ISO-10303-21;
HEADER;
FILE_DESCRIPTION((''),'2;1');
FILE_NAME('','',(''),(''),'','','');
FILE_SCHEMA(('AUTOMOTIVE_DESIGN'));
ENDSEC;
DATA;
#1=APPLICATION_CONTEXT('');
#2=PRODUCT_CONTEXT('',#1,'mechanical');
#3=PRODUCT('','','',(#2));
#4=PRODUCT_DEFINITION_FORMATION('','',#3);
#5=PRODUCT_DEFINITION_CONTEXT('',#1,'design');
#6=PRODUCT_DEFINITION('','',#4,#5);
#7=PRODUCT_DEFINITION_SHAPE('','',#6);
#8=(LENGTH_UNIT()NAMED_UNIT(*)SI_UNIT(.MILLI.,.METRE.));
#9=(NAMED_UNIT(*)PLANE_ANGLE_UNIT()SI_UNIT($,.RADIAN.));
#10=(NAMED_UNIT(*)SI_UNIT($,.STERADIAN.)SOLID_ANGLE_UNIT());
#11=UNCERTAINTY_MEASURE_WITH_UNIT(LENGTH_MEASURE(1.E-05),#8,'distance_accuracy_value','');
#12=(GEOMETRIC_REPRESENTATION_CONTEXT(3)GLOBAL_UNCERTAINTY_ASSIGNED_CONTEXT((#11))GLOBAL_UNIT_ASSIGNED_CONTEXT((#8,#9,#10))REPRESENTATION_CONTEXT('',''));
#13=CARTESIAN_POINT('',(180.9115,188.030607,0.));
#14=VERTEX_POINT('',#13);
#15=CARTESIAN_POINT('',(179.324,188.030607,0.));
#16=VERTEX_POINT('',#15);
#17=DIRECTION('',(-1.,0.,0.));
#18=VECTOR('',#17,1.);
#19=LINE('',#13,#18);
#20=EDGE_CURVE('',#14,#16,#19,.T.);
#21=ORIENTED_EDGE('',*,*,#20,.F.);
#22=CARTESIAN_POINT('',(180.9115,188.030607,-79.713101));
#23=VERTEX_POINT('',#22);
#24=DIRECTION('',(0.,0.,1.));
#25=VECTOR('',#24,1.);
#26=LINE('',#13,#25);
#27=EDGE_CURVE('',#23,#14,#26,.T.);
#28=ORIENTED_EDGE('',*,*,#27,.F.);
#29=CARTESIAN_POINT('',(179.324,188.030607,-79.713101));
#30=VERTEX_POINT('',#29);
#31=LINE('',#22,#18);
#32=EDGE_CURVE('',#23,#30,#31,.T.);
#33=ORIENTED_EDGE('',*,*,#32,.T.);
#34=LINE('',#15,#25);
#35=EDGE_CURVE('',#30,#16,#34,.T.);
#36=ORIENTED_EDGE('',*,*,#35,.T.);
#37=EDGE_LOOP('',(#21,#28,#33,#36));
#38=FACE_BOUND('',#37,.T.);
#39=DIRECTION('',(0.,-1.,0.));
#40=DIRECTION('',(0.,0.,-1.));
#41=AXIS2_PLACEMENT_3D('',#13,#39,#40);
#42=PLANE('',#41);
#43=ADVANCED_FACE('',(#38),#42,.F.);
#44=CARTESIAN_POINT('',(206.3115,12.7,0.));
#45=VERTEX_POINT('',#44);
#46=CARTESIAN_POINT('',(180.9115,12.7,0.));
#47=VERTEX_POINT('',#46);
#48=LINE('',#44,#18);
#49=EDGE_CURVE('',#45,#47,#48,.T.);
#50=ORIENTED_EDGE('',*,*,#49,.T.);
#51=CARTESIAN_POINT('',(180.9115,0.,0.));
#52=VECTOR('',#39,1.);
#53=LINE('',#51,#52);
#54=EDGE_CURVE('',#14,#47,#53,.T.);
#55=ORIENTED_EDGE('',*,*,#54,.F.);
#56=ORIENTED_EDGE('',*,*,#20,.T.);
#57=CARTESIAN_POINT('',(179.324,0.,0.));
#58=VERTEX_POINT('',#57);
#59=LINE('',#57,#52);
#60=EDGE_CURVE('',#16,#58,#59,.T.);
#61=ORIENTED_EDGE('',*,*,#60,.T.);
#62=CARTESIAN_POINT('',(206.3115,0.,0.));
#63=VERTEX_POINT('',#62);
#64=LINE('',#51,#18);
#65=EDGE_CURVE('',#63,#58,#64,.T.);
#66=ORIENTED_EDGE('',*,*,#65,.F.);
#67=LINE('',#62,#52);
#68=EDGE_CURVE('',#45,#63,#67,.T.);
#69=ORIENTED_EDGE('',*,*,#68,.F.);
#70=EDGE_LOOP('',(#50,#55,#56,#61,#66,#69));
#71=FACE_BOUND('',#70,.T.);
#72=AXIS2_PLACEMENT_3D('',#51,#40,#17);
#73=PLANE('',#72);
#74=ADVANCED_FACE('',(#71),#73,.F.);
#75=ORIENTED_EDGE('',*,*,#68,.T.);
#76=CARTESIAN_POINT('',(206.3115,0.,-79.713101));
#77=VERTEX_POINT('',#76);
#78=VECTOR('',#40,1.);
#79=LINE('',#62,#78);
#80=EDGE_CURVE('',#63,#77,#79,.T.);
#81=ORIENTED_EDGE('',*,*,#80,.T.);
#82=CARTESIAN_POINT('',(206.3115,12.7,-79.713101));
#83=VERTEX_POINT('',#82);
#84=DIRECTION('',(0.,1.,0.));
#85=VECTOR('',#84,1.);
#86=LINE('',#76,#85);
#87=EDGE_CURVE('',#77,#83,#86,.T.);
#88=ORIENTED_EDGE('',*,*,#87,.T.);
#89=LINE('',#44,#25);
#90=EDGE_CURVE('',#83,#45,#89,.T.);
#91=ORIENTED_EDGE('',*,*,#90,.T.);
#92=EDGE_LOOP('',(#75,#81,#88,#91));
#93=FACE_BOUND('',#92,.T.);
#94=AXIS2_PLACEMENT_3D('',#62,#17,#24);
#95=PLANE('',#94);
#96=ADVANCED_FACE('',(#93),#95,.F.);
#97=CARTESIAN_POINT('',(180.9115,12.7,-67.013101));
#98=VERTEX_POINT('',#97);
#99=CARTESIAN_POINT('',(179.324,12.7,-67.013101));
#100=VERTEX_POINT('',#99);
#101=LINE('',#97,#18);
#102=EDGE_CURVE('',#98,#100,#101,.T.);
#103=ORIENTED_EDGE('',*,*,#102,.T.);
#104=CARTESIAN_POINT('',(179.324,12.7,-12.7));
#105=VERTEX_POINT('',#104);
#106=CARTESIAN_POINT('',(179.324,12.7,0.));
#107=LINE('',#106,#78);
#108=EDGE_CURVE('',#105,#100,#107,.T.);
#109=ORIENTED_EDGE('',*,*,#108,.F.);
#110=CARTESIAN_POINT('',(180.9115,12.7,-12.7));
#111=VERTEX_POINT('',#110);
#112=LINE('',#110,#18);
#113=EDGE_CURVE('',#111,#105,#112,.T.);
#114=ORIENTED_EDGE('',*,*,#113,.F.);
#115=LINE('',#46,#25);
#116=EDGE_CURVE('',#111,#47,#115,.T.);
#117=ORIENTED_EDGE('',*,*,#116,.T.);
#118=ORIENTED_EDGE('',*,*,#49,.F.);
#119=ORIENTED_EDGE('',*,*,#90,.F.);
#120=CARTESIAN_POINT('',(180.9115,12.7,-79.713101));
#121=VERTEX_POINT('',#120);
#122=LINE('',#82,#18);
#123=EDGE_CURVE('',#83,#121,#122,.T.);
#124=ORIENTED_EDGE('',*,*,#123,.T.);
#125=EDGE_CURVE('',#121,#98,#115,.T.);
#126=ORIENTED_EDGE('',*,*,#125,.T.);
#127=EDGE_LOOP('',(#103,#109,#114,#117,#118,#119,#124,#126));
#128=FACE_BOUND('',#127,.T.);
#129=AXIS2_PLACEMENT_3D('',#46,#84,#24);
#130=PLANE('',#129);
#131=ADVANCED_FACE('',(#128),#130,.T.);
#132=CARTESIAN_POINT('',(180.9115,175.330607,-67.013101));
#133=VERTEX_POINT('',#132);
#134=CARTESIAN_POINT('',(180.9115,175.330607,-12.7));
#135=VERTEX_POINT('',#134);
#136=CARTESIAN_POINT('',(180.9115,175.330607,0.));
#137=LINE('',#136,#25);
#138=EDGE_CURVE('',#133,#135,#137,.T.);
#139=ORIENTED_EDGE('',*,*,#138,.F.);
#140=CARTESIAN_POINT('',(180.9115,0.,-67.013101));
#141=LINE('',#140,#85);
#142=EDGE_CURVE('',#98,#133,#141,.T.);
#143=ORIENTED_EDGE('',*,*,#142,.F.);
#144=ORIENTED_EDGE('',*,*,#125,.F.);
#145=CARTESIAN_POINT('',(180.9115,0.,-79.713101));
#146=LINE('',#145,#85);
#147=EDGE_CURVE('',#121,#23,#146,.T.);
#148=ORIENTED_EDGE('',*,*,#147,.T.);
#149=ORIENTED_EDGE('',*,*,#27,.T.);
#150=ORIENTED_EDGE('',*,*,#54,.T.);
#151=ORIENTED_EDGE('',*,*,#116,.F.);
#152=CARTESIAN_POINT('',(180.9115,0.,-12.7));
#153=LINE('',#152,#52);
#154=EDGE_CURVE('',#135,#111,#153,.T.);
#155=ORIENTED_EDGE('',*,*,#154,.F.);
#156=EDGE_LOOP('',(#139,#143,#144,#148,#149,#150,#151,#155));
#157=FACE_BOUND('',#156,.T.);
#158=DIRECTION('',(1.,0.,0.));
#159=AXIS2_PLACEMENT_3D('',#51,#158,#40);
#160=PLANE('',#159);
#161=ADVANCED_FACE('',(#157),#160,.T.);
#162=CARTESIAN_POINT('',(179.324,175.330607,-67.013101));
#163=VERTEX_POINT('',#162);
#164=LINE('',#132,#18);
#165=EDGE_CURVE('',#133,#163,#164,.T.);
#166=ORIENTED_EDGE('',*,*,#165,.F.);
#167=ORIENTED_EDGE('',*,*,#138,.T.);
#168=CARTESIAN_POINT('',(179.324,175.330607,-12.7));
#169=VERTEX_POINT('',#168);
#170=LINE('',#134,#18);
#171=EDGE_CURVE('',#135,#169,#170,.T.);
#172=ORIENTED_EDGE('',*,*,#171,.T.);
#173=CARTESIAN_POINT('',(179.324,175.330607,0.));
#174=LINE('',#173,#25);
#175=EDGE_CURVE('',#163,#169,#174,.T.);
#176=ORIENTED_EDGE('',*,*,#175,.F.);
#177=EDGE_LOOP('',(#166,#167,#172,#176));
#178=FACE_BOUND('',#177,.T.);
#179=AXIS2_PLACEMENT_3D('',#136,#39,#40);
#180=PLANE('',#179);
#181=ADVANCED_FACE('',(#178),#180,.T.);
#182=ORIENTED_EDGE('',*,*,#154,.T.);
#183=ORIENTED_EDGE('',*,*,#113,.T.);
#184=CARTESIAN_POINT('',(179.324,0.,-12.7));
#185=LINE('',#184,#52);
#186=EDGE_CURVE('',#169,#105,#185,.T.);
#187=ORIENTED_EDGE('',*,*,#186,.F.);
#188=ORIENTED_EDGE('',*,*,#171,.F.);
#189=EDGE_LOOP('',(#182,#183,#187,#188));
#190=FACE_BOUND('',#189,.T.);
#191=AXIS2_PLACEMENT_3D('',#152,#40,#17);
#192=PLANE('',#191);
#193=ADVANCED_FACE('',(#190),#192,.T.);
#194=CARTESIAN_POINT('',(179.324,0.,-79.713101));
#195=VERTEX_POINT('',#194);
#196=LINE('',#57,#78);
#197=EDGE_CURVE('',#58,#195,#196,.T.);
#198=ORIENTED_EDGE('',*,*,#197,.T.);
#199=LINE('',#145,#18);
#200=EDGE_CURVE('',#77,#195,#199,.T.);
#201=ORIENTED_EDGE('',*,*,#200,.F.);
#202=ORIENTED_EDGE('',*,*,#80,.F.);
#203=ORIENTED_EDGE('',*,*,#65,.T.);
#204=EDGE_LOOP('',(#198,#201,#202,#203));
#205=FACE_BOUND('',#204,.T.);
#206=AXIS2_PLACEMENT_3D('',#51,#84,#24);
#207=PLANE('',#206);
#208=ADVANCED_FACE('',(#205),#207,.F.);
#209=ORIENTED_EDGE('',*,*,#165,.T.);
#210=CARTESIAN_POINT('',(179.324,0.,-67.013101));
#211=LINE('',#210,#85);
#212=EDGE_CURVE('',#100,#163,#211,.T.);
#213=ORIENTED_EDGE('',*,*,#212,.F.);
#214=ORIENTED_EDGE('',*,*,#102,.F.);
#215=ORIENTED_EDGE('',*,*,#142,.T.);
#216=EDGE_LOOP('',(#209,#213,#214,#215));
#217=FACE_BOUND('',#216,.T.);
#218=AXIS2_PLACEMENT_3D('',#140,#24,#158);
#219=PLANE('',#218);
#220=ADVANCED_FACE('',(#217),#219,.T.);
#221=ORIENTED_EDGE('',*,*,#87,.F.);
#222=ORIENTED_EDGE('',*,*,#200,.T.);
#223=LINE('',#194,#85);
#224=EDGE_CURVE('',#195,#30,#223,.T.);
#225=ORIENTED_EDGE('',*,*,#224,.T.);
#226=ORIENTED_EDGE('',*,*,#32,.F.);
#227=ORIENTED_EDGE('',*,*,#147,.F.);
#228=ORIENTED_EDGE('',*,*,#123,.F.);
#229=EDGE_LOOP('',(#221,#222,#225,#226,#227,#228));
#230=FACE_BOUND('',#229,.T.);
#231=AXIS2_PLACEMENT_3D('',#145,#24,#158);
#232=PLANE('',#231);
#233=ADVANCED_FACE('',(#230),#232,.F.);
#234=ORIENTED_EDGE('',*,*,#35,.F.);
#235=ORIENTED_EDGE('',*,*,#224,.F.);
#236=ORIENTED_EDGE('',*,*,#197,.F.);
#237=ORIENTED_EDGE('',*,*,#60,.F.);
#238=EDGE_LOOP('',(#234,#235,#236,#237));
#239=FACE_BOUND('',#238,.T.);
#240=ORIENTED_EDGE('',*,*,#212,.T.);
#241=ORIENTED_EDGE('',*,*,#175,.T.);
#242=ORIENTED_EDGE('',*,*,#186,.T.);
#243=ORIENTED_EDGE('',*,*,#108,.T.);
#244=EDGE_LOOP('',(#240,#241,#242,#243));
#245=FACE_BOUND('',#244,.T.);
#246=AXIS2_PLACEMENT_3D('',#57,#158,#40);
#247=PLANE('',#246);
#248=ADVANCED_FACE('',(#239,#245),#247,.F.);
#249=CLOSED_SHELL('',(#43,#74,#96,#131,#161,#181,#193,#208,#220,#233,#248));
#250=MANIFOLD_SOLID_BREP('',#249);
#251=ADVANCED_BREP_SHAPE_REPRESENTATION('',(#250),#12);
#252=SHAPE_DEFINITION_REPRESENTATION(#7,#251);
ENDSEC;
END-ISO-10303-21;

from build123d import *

# Parameters (mm, degrees)
SKETCH1_W           = 79.713100929
SKETCH1_H           = 188.030607332
SKETCH1_W_2         = 54.313100929
SKETCH1_H_2         = 162.630607332
EXTRUDE_THIN1_DEPTH = 1.5875
EXTRUDE_THIN2_START = -179.324
SKETCH1_3_W         = 79.713100929
SKETCH1_3_H         = 188.030607332
SKETCH1_3_W_2       = 54.313100929
SKETCH1_3_H_2       = 162.630607332
EXTRUDE_THIN2_DEPTH = 1.5875
SKETCH2_W           = 79.713100929
SKETCH2_H           = 12.7
BOSS_EXTRUDE3_DEPTH = 25.4
BOSS_EXTRUDE4_START = -182.499
SKETCH2_2_W         = 79.713100929
SKETCH2_2_H         = 12.7
BOSS_EXTRUDE4_DEPTH = 25.4
SKETCH3_W           = 117.076053855
SKETCH3_H           = 196.691722882
CUT_EXTRUDE1_DEPTH  = 291.300056469


with BuildPart() as part:
    # Sketch1 → Extrude-Thin1 (new body)
    with BuildSketch(Plane(origin=(179.324, 0, 0), x_dir=(0, 0, -1), z_dir=(1, 0, 0))):
        with Locations((39.856550465, 94.015303666)):
            Rectangle(SKETCH1_W, SKETCH1_H)
        with Locations((39.856550465, 94.015303666)):
            Rectangle(SKETCH1_W_2, SKETCH1_H_2, mode=Mode.SUBTRACT)
    extrude(amount=EXTRUDE_THIN1_DEPTH)

    # Sketch2 → Boss-Extrude3 (add)
    with BuildSketch(Plane(origin=(180.9115, 0, 0), x_dir=(0, 0, -1), z_dir=(1, 0, 0))):
        with Locations((39.856550465, 6.35)):
            Rectangle(SKETCH2_W, SKETCH2_H)
    extrude(amount=BOSS_EXTRUDE3_DEPTH)


with BuildPart() as body_2:
    # Sketch1<3> → Extrude-Thin2 (new body)
    with BuildSketch(Plane(origin=(179.324, 0, 0), x_dir=(0, 0, -1), z_dir=(1, 0, 0)).offset(EXTRUDE_THIN2_START)):
        with Locations((39.856550465, 94.015303666)):
            Rectangle(SKETCH1_3_W, SKETCH1_3_H)
        with Locations((39.856550465, 94.015303666)):
            Rectangle(SKETCH1_3_W_2, SKETCH1_3_H_2, mode=Mode.SUBTRACT)
    extrude(amount=-EXTRUDE_THIN2_DEPTH)

    # Sketch2<2> → Boss-Extrude4 (add)
    with BuildSketch(Plane(origin=(180.9115, 0, 0), x_dir=(0, 0, -1), z_dir=(1, 0, 0)).offset(BOSS_EXTRUDE4_START)):
        with Locations((39.856550465, 6.35)):
            Rectangle(SKETCH2_2_W, SKETCH2_2_H)
    extrude(amount=-BOSS_EXTRUDE4_DEPTH)

    # Sketch3 → Cut-Extrude1 (cut, through all)
    with BuildSketch(Plane(origin=(0, 0, 0), x_dir=(0, 0, -1), z_dir=(1, 0, 0))):
        with Locations((58.538026928, 98.345861441)):
            Rectangle(SKETCH3_W, SKETCH3_H)
    extrude(amount=-CUT_EXTRUDE1_DEPTH, mode=Mode.SUBTRACT)


solid = part.part
